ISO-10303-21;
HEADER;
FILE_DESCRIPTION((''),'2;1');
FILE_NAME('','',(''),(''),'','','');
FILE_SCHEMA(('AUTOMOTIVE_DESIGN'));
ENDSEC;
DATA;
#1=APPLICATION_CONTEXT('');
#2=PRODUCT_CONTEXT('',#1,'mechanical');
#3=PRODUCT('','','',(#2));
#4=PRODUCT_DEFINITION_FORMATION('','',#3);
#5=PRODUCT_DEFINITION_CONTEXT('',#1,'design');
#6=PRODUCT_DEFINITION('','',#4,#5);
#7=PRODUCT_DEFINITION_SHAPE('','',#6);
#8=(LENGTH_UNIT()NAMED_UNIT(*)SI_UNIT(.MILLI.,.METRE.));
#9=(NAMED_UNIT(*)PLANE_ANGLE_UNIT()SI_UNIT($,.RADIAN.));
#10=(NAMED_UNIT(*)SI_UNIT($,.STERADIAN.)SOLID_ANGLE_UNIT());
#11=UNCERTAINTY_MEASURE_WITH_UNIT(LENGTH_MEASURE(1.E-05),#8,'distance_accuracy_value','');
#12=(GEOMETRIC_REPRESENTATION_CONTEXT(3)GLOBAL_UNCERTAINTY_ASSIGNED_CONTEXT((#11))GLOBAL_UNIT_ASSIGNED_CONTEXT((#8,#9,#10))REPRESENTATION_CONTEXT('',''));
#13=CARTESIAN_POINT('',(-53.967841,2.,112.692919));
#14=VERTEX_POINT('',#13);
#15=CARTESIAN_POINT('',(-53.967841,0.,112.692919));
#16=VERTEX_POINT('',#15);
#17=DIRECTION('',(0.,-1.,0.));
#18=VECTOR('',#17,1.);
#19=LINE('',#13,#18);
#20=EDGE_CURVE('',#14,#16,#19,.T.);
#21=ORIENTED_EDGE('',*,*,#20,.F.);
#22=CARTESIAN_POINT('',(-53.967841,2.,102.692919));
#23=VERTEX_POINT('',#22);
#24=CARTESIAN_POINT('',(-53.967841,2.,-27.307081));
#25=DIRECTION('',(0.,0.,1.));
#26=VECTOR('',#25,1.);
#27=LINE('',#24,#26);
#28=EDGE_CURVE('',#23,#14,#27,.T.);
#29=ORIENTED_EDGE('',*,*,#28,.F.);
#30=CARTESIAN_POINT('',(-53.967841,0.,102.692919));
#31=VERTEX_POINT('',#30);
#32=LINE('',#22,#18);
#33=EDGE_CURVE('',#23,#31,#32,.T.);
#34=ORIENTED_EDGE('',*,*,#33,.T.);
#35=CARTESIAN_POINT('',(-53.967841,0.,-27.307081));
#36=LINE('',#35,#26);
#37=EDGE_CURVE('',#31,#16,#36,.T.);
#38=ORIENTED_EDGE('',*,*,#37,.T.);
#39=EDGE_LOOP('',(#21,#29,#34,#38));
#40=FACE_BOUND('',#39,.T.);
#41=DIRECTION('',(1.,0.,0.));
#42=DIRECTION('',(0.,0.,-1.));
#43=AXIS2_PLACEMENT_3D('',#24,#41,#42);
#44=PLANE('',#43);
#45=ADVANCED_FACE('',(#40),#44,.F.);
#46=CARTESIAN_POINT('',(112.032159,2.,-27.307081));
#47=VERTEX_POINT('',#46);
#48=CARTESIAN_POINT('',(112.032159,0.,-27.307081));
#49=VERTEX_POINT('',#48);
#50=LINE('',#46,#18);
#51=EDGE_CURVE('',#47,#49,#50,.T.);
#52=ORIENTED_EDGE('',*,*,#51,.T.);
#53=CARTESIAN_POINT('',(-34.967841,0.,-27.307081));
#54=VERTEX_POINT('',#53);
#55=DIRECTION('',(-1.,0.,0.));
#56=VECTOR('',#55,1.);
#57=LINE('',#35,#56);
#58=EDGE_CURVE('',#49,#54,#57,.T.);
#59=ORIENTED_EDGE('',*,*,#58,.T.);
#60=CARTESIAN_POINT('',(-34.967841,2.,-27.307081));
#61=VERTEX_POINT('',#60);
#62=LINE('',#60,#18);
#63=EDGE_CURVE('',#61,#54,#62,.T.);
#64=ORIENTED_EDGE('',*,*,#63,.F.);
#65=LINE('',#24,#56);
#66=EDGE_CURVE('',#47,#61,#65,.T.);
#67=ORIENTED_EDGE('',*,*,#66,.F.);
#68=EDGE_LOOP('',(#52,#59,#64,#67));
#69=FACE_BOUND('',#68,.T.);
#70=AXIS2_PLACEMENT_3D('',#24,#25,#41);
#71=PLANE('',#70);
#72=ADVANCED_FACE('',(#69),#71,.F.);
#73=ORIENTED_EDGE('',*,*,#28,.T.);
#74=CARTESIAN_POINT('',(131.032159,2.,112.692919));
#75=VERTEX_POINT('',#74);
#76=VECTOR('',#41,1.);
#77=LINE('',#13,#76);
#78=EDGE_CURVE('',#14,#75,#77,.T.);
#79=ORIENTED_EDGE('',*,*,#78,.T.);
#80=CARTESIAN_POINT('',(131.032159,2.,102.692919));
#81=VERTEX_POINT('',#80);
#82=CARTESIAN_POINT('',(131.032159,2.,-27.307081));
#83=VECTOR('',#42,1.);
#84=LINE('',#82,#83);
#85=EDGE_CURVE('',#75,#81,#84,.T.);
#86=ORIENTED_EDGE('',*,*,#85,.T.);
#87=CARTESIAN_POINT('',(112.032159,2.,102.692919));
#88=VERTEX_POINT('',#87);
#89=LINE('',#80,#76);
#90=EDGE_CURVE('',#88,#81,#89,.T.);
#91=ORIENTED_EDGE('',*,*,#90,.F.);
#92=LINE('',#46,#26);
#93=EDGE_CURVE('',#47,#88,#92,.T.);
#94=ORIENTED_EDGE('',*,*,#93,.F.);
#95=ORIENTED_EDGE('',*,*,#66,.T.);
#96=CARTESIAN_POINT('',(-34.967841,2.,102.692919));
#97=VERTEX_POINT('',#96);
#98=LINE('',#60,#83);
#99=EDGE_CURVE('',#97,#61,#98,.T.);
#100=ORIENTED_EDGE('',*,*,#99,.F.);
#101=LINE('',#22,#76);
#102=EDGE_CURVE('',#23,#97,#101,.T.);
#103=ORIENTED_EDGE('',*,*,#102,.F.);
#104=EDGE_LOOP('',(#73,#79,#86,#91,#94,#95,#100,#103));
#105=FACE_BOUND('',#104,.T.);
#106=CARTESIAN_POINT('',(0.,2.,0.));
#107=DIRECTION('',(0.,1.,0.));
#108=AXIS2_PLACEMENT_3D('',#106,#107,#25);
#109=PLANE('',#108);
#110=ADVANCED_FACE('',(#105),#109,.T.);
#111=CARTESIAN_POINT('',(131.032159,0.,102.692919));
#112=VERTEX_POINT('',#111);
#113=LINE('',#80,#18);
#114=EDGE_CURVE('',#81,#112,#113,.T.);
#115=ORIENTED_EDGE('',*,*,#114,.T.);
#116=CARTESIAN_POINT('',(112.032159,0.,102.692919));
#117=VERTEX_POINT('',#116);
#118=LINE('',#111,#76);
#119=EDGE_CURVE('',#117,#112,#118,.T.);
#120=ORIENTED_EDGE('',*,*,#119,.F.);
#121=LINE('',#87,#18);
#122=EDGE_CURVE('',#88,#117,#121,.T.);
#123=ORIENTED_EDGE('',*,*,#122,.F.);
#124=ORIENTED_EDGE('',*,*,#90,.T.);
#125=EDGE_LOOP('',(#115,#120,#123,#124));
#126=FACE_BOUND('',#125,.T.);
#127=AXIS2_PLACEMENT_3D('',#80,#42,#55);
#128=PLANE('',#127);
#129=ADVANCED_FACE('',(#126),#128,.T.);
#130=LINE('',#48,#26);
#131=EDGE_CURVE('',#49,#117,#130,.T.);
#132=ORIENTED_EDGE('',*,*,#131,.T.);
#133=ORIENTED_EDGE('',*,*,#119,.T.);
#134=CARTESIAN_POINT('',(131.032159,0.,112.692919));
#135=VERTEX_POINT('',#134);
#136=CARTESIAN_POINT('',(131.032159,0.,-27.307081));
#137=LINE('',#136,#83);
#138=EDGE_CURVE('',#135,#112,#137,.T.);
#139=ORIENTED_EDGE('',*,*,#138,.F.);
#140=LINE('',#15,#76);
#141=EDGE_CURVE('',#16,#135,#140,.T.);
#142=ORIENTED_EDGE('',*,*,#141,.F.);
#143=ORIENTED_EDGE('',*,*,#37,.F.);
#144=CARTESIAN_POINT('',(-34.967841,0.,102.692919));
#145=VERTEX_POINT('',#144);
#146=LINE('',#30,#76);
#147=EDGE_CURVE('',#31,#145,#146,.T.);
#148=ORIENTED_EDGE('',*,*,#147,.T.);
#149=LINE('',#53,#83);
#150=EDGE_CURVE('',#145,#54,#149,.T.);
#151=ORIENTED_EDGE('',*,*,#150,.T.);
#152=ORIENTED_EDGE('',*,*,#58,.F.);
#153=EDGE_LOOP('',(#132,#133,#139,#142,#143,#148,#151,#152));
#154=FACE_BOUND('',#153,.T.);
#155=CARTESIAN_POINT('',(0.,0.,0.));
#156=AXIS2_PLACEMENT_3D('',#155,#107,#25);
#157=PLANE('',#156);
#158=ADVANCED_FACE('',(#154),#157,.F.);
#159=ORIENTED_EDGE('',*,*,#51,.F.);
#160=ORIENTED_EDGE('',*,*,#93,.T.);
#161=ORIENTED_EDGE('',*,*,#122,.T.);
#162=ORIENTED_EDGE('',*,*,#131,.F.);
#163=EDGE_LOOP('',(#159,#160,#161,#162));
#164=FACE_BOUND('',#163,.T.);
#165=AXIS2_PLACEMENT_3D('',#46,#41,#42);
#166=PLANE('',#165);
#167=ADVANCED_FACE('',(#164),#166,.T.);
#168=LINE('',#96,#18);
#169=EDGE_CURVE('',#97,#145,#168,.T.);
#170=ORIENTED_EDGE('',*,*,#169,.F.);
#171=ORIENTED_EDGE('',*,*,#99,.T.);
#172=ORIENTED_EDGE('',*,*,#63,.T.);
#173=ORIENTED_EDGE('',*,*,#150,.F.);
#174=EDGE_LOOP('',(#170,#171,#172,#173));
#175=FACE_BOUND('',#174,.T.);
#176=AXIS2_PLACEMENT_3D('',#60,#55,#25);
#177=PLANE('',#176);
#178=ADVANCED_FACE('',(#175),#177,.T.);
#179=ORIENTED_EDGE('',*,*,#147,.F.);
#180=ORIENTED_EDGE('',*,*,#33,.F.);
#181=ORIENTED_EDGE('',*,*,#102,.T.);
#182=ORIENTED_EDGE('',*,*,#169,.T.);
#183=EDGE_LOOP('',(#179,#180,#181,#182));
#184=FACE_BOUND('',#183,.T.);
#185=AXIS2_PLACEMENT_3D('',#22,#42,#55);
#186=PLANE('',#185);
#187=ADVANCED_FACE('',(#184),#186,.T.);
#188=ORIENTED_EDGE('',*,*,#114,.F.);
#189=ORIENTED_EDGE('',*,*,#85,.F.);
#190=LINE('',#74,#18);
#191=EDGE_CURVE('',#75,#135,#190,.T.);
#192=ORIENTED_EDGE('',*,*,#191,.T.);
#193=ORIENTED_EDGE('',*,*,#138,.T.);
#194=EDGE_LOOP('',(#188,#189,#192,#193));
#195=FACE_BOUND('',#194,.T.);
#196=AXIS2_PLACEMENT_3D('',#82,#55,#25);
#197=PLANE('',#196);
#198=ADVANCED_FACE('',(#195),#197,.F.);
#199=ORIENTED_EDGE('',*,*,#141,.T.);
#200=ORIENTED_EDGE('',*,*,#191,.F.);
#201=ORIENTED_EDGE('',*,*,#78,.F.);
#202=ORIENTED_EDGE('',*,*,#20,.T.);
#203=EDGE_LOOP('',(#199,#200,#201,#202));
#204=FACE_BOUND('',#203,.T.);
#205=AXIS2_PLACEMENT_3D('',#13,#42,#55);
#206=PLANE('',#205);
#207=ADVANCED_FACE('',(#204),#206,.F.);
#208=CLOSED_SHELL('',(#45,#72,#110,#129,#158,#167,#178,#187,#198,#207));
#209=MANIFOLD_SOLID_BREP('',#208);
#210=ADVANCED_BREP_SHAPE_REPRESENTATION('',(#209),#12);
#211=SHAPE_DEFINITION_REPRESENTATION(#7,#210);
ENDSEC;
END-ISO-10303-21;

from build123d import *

# Parameters (mm, degrees)
SKETCH_1_W          = 185
SKETCH_1_H          = 140
EXTRUDE_1_DEPTH     = 2
SKETCH_3_W          = 19
SKETCH_3_H          = 130
CUT_EXTRUDE_3_DEPTH = 173.83842308
SKETCH_4_W          = 19
SKETCH_4_H          = 130
CUT_EXTRUDE_4_DEPTH = 173.83842308


with BuildPart() as part:
    # 草图1 → 凸台-拉伸1 (new body)
    with BuildSketch(Plane(origin=(0, 0, 0), x_dir=(1, 0, 0), z_dir=(0, 1, 0))):
        with Locations((38.532158624, -42.692918585)):
            Rectangle(SKETCH_1_W, SKETCH_1_H)
    extrude(amount=EXTRUDE_1_DEPTH)

    # 草图3 → 切除-拉伸3 (cut, through all)
    with BuildSketch(Plane(origin=(0, 0, 0), x_dir=(1, 0, 0), z_dir=(0, 1, 0))):
        with Locations((-44.467841376, -37.692918585)):
            Rectangle(SKETCH_3_W, SKETCH_3_H)
    extrude(amount=CUT_EXTRUDE_3_DEPTH, mode=Mode.SUBTRACT)

    # 草图4 → 切除-拉伸4 (cut, through all)
    with BuildSketch(Plane(origin=(0, 0, 0), x_dir=(1, 0, 0), z_dir=(0, 1, 0))):
        with Locations((121.532158624, -37.692918585)):
            Rectangle(SKETCH_4_W, SKETCH_4_H)
    extrude(amount=CUT_EXTRUDE_4_DEPTH, mode=Mode.SUBTRACT)


solid = part.part
